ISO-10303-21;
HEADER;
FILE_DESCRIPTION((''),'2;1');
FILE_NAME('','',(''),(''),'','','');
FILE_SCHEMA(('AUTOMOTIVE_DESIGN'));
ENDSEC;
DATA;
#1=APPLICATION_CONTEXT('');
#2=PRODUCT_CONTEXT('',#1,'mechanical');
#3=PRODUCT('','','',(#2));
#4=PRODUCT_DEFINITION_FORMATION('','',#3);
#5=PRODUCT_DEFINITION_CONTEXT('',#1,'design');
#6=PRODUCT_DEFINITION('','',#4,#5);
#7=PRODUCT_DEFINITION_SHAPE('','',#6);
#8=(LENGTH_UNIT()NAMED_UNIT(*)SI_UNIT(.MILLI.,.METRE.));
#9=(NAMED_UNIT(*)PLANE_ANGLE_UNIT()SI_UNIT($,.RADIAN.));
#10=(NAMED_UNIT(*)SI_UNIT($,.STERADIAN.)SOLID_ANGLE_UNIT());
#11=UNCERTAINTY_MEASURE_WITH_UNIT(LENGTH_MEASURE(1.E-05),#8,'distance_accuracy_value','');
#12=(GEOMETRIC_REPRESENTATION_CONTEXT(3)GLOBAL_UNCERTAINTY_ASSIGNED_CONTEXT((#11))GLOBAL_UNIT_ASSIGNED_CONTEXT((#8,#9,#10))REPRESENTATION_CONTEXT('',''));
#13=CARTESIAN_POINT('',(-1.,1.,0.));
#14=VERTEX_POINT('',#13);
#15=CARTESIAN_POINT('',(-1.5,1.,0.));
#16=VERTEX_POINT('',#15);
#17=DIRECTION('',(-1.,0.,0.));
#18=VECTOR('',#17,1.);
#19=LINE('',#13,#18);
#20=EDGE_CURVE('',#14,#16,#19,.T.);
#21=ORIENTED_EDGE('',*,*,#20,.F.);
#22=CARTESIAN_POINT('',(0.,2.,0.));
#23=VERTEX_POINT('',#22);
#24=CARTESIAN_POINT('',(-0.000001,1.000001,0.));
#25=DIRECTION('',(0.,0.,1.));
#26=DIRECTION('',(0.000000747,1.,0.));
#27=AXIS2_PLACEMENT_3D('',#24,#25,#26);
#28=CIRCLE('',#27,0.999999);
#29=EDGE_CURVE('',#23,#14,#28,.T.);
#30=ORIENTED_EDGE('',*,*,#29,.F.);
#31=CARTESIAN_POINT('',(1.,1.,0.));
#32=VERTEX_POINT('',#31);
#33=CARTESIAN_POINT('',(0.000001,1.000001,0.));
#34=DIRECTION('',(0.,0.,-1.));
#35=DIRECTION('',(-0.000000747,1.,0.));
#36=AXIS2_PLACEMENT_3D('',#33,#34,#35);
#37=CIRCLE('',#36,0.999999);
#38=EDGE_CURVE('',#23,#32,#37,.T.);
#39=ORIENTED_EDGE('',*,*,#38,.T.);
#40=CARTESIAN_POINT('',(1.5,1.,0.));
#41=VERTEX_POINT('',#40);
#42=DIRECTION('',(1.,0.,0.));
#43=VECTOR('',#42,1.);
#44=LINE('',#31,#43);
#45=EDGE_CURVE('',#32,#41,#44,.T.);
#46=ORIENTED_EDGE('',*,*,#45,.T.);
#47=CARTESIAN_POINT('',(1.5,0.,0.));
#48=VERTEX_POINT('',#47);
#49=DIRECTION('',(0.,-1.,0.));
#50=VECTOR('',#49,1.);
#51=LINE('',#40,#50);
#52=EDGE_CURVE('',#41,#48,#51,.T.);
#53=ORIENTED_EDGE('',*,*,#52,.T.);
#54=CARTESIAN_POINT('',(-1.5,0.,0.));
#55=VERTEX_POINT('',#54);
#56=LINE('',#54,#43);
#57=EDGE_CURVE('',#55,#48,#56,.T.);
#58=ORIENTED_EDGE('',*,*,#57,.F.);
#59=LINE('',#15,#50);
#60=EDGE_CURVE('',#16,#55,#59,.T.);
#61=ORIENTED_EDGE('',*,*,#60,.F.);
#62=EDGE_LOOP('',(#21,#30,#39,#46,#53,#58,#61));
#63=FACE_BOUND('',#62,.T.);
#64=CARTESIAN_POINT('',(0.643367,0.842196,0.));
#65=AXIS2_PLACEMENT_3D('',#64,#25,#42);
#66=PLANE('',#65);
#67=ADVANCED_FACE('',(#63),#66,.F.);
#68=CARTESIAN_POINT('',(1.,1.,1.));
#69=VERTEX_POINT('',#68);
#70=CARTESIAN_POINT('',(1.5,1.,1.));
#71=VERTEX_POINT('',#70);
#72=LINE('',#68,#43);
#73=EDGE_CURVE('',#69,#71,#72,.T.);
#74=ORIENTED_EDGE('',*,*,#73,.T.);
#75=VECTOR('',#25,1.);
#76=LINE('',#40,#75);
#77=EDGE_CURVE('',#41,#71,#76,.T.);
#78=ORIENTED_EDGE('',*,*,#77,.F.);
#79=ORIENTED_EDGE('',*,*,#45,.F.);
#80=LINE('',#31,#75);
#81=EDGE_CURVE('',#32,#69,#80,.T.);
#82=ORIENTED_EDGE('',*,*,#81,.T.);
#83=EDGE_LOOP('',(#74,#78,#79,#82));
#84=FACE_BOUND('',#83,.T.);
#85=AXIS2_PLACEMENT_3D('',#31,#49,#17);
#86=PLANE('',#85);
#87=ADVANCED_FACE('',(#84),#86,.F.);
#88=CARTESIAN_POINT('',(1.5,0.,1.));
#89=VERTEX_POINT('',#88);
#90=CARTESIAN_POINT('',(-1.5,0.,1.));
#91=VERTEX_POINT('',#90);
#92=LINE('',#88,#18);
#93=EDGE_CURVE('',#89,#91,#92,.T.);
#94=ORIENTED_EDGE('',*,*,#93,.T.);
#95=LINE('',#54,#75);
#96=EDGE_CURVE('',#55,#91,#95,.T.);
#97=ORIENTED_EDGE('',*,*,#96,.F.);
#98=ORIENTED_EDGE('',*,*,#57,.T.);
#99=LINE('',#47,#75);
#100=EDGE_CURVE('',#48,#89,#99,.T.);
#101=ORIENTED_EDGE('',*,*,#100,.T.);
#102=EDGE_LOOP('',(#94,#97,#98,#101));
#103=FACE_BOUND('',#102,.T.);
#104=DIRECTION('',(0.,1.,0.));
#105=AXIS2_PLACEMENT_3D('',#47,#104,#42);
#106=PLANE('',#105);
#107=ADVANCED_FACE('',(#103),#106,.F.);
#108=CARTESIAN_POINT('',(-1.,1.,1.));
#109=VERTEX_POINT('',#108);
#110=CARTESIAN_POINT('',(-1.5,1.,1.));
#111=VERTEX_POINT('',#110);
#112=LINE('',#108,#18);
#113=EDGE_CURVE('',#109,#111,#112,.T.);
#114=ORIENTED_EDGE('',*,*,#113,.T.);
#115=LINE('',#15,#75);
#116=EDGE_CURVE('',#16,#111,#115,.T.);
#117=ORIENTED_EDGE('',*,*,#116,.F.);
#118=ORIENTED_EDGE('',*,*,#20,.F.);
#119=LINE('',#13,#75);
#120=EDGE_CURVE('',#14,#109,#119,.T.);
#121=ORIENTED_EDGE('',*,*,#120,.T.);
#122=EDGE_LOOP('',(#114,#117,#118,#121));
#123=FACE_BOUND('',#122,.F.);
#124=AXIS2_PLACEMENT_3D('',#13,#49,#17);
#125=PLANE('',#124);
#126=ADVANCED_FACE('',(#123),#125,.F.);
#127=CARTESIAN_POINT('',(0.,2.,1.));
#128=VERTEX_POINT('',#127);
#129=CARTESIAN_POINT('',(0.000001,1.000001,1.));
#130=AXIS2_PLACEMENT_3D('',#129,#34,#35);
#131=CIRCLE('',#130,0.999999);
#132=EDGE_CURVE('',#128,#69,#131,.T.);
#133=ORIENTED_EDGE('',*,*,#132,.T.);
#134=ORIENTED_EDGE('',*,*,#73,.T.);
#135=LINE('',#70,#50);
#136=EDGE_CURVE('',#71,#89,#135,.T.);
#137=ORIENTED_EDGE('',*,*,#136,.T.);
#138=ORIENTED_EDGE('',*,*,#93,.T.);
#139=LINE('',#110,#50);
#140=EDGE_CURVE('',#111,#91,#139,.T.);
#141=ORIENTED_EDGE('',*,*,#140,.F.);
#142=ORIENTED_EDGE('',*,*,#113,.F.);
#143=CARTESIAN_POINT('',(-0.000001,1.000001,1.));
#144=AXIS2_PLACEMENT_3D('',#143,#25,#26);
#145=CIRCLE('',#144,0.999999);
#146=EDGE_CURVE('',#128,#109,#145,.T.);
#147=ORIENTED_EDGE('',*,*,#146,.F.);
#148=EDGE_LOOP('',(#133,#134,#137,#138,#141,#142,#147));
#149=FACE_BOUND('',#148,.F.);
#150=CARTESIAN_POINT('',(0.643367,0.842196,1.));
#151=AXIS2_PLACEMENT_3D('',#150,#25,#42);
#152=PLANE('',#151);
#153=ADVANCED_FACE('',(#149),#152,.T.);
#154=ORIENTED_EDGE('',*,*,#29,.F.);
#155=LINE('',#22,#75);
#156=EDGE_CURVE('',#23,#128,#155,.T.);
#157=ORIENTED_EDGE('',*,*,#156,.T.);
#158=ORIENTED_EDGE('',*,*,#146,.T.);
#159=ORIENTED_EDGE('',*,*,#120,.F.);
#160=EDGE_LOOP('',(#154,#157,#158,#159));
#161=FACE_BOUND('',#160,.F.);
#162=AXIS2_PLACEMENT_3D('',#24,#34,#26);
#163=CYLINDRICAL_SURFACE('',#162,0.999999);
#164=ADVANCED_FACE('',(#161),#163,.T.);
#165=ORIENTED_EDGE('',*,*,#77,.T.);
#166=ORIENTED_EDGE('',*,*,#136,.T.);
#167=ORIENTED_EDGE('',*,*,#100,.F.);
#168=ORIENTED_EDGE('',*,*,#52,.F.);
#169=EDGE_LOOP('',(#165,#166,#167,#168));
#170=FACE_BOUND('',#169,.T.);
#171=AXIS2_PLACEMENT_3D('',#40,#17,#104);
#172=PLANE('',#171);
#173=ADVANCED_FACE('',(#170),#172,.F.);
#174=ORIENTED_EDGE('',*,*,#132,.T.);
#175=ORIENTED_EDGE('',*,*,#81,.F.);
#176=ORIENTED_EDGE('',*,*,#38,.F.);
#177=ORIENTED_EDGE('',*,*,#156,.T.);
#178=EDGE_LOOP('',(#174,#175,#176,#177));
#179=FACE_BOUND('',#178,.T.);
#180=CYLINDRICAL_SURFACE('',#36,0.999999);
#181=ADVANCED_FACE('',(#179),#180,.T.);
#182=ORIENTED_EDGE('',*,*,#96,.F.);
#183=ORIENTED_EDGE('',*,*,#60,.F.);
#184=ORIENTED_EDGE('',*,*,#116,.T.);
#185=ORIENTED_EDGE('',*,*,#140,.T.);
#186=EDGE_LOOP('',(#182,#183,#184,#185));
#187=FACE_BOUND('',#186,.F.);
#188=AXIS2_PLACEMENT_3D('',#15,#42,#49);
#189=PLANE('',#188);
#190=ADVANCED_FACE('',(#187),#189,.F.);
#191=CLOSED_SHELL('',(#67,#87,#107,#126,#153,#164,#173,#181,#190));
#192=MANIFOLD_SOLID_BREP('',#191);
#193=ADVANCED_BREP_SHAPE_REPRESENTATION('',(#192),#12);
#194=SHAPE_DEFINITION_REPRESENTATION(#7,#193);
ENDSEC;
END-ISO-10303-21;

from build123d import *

# Parameters (mm, degrees)
F1_DEPTH = 1


with BuildPart() as f1:
    # F0 (on Top) → F1 (new body)
    with BuildSketch(Plane.XY):
        with BuildLine():
            Line((-1.5, 0), (0, 0))
            Line((0, 0), (0, 2))
            ThreePointArc((0, 2), (-0.707107, 1.707107), (-1, 1))
            Line((-1, 1), (-1.5, 1))
            Line((-1.5, 1), (-1.5, 0))
        make_face()
    extrude(amount=F1_DEPTH)

    # F2: F1 across face


with BuildPart() as f1_1:
    add(f1.part)
    add(f1.part.mirror(Plane(origin=(0, 1, 0.5), x_dir=(0, 1, 0), z_dir=(1, 0, 0))))


solid = f1_1.part
